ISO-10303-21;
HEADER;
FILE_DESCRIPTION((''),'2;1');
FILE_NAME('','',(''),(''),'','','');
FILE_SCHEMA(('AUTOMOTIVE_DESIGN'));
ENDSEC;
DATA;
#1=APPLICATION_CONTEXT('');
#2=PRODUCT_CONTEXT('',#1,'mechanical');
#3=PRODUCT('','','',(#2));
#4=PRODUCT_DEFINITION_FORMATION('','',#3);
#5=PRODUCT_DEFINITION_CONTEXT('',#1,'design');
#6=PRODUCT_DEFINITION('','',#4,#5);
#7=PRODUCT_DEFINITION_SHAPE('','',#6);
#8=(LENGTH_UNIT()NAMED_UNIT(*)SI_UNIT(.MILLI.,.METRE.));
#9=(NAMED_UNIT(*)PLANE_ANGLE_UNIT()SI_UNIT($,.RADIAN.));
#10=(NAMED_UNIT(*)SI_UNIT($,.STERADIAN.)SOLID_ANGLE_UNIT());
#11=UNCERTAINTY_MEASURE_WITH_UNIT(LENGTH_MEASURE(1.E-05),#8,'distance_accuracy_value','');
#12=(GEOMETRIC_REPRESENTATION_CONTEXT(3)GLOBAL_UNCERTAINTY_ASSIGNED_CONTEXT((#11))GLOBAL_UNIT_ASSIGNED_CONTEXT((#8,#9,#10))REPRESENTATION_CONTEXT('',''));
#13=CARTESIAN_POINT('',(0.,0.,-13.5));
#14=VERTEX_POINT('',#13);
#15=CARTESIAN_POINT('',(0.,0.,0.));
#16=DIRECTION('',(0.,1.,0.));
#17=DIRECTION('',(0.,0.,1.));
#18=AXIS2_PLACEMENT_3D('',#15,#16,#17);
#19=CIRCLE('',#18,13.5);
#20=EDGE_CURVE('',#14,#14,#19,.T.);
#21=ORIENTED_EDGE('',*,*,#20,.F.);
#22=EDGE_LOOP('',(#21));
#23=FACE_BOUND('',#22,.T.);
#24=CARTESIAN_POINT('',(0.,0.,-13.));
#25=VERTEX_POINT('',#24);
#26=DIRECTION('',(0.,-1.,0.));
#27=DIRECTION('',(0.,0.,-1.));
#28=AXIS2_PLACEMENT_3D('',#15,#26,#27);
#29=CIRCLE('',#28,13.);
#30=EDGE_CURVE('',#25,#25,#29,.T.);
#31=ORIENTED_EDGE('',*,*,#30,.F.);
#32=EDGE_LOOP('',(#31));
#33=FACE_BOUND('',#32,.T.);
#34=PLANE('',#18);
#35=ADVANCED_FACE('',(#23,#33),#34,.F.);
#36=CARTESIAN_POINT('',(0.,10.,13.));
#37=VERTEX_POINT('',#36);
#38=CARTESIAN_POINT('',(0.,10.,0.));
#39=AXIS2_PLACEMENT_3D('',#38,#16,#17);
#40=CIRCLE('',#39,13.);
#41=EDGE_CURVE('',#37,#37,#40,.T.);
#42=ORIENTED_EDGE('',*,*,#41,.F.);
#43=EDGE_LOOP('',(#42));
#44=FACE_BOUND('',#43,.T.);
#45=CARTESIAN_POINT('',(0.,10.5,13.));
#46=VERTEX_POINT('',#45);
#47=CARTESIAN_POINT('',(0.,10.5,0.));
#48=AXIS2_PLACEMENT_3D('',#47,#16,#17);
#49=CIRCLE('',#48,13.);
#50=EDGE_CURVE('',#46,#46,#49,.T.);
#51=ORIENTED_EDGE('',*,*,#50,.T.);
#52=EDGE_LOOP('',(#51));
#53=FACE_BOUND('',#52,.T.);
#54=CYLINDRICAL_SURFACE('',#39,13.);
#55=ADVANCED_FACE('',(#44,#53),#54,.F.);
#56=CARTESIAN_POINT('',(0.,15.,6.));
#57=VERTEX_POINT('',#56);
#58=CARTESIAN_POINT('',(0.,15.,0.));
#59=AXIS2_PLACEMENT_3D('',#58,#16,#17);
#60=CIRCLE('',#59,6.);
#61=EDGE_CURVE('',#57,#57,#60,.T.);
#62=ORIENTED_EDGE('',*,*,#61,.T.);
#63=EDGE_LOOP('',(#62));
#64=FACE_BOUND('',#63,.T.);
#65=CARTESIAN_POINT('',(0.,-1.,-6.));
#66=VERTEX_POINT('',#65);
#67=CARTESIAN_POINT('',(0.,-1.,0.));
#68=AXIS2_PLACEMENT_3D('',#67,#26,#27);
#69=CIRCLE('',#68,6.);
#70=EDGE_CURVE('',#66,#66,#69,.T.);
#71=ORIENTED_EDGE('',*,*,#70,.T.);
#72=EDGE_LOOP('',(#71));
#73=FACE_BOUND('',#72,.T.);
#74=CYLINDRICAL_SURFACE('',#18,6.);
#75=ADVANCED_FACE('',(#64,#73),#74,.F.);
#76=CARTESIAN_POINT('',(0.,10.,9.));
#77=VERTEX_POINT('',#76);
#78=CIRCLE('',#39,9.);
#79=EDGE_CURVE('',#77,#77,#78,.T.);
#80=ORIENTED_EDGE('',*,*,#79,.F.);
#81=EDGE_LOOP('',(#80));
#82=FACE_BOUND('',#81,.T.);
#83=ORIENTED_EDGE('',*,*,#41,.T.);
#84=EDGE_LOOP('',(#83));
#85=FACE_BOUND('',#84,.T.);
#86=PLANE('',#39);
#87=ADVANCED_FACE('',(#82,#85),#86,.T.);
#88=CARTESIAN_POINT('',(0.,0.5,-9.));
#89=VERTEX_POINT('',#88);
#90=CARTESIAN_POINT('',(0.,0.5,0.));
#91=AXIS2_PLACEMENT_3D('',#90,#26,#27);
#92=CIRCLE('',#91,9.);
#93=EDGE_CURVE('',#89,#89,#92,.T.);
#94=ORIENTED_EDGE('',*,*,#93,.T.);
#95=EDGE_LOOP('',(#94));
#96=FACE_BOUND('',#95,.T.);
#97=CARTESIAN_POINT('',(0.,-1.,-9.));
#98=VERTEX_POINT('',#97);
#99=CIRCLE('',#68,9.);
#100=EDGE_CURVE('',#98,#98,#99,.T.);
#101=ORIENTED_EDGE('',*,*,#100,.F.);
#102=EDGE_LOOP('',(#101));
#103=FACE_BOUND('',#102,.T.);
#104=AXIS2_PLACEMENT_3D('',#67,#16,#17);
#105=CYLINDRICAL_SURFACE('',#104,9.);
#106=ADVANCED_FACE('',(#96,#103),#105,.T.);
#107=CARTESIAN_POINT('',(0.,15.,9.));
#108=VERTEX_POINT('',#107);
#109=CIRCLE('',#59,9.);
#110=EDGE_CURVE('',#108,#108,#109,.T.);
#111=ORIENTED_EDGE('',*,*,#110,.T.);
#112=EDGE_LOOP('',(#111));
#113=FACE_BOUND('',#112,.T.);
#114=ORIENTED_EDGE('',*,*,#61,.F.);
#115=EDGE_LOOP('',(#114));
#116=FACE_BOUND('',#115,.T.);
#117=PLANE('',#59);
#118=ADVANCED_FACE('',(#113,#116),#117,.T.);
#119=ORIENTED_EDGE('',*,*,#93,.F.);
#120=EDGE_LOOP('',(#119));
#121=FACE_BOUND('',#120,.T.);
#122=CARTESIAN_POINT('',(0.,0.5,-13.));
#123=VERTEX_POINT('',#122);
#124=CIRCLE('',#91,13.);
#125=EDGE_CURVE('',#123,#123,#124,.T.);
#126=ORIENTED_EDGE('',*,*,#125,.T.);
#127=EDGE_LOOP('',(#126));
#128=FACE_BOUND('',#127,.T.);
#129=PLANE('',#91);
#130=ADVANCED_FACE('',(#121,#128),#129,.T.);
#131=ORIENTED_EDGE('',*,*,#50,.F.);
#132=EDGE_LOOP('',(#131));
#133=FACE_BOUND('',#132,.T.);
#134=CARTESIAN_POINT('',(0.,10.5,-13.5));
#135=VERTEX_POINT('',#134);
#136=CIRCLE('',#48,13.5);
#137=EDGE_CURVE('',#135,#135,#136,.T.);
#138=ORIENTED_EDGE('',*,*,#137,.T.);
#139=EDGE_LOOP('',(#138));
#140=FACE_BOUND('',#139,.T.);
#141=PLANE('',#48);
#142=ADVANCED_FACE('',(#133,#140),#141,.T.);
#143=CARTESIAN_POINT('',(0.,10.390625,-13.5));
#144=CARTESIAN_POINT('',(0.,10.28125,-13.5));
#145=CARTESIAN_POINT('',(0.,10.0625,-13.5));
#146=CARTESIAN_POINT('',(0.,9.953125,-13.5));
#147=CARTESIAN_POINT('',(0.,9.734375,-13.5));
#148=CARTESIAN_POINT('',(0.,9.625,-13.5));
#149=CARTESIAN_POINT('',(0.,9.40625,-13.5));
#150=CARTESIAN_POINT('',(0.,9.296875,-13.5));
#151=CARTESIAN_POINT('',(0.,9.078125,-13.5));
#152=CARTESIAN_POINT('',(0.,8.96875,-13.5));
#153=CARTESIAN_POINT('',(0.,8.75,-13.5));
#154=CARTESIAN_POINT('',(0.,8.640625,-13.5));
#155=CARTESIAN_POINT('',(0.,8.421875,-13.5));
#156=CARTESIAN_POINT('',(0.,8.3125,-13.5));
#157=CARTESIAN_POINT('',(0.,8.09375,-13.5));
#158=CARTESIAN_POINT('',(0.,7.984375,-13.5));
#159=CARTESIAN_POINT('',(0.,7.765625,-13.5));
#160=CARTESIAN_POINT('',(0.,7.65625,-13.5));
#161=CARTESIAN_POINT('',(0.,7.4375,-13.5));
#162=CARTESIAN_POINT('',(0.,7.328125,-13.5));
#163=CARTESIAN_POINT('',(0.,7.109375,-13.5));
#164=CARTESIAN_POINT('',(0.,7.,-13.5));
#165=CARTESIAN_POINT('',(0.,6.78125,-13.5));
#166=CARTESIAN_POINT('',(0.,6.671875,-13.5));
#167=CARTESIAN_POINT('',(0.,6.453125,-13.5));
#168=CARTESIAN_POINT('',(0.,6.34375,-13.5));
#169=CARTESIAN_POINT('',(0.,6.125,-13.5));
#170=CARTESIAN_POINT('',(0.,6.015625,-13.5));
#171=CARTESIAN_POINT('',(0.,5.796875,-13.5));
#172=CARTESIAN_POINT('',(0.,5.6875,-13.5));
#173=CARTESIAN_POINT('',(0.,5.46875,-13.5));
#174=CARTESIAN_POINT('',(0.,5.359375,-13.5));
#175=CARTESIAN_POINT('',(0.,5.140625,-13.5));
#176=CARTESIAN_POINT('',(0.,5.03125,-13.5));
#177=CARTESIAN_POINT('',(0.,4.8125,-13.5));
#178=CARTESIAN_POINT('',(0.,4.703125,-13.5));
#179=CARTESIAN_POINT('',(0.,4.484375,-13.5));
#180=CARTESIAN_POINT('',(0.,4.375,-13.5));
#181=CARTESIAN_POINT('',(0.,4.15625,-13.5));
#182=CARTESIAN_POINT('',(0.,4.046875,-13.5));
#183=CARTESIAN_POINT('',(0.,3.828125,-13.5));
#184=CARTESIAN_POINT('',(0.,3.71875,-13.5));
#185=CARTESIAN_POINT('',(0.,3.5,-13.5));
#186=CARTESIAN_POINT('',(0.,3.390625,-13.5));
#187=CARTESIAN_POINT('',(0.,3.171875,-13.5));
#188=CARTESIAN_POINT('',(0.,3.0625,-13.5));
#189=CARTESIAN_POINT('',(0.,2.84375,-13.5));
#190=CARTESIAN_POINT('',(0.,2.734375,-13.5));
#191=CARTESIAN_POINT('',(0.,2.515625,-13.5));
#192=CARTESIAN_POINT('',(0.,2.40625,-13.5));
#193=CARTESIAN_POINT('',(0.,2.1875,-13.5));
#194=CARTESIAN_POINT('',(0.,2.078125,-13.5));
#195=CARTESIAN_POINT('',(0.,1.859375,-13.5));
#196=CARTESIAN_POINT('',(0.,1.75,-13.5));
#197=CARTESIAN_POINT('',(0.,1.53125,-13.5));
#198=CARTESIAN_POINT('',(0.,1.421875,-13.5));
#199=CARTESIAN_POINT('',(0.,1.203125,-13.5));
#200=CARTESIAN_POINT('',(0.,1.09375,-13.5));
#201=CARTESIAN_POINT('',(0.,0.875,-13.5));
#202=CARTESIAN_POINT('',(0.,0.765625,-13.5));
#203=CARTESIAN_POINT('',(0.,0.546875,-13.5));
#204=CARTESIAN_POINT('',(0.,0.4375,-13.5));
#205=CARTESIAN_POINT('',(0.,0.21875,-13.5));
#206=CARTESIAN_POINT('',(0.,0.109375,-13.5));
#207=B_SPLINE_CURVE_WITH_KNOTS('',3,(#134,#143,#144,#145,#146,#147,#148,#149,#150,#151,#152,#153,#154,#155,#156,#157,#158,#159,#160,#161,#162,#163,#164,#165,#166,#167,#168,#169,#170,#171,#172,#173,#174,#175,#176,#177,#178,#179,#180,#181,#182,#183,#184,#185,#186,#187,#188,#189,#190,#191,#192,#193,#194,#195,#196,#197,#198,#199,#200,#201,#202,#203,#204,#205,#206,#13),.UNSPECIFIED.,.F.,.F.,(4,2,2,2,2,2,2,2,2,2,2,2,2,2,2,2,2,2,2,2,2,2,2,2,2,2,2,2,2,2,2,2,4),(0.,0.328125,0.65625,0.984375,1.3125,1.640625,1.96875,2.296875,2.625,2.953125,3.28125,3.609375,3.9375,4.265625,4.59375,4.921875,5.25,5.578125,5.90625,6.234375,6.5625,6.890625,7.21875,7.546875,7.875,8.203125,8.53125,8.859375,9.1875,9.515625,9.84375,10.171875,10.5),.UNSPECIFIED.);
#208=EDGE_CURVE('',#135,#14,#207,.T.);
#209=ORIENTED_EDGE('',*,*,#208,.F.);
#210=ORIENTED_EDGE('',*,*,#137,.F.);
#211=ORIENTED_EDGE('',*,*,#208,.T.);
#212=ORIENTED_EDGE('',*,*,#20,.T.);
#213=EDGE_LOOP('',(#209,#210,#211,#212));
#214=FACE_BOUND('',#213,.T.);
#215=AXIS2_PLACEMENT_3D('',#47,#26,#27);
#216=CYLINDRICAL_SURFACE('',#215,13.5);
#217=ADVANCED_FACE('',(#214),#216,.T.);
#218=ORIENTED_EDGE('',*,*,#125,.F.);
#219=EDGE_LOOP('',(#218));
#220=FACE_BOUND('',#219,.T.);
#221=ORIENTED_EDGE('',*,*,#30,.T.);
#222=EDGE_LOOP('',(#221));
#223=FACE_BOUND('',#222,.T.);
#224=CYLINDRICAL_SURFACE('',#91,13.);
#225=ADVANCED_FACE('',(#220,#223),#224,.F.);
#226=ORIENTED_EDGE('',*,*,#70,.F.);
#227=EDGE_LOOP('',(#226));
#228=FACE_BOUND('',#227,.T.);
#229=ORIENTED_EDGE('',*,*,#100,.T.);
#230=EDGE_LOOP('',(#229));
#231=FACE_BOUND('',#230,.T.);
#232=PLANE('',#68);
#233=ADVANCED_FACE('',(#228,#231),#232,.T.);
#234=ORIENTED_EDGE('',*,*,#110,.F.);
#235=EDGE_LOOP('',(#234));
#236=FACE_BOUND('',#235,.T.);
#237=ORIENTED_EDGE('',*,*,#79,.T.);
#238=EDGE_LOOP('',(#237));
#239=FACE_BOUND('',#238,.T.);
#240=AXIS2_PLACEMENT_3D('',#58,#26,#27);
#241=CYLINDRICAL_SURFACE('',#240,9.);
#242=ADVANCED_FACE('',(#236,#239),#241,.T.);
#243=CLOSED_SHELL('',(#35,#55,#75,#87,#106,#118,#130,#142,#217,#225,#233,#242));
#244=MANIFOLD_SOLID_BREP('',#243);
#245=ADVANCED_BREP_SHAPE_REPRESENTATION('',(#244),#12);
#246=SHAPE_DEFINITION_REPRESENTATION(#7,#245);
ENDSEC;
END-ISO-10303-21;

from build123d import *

# Parameters (mm, degrees)
SKETCH_1_R          = 13.5
EXTRUDE_1_DEPTH     = 10.5
SKETCH_2_R          = 13
CUT_EXTRUDE_1_DEPTH = 0.5
CUT_EXTRUDE_START   = -0.5
SKETCH_3_R          = 13
CUT_EXTRUDE_2_DEPTH = 0.5
SKETCH_4_R          = 6
CUT_EXTRUDE_3_DEPTH = 22.552262062
EXTRUDE_START       = 5
SKETCH_5_R          = 9
SKETCH_5_R_2        = 6
EXTRUDE_2_DEPTH     = 5
SKETCH_6_R          = 9
SKETCH_6_R_2        = 6
EXTRUDE_3_DEPTH     = 1.5


with BuildPart() as part:
    # Эскиз1 → Бобышка-Вытянуть1 (new body)
    with BuildSketch(Plane(origin=(0, 0, 0), x_dir=(1, 0, 0), z_dir=(0, 1, 0))):
        with Locations(Location((0, 0, 0), (0, 0, 90))):
            Circle(SKETCH_1_R)
    extrude(amount=EXTRUDE_1_DEPTH)

    # Эскиз2 → Вырез-Вытянуть1 (cut)
    with BuildSketch(Plane(origin=(0, 10.5, 0), x_dir=(1, 0, 0), z_dir=(0, 1, 0))):
        with Locations(Location((0, 0, 0), (0, 0, 270))):
            Circle(SKETCH_2_R)
    extrude(amount=-CUT_EXTRUDE_1_DEPTH, mode=Mode.SUBTRACT)

    # Эскиз3 → Вырез-Вытянуть2 (cut)
    with BuildSketch(Plane.XZ.offset(CUT_EXTRUDE_START)):
        with Locations(Location((0, 0, 0), (0, 0, 90))):
            Circle(SKETCH_3_R)
    extrude(amount=CUT_EXTRUDE_2_DEPTH, mode=Mode.SUBTRACT)

    # Эскиз4 → Вырез-Вытянуть3 (cut, through all)
    with BuildSketch(Plane(origin=(0, 10, 0), x_dir=(1, 0, 0), z_dir=(0, 1, 0))):
        with Locations(Location((0, 0, 0), (0, 0, 270))):
            Circle(SKETCH_4_R)
    extrude(amount=-CUT_EXTRUDE_3_DEPTH, mode=Mode.SUBTRACT)

    # Эскиз5 → Бобышка-Вытянуть2 (add)
    with BuildSketch(Plane(origin=(0, 10, 0), x_dir=(1, 0, 0), z_dir=(0, 1, 0)).offset(EXTRUDE_START)):
        with Locations(Location((0, 0, 0), (0, 0, 270))):
            Circle(SKETCH_5_R)
        with Locations(Location((0, 0, 0), (0, 0, 270))):
            Circle(SKETCH_5_R_2, mode=Mode.SUBTRACT)
    extrude(amount=-EXTRUDE_2_DEPTH)

    # Эскиз6 → Бобышка-Вытянуть3 (add)
    with BuildSketch(Plane.XZ.offset(-0.5)):
        with Locations(Location((0, 0, 0), (0, 0, 90))):
            Circle(SKETCH_6_R)
        with Locations(Location((0, 0, 0), (0, 0, 90))):
            Circle(SKETCH_6_R_2, mode=Mode.SUBTRACT)
    extrude(amount=EXTRUDE_3_DEPTH)


solid = part.part
